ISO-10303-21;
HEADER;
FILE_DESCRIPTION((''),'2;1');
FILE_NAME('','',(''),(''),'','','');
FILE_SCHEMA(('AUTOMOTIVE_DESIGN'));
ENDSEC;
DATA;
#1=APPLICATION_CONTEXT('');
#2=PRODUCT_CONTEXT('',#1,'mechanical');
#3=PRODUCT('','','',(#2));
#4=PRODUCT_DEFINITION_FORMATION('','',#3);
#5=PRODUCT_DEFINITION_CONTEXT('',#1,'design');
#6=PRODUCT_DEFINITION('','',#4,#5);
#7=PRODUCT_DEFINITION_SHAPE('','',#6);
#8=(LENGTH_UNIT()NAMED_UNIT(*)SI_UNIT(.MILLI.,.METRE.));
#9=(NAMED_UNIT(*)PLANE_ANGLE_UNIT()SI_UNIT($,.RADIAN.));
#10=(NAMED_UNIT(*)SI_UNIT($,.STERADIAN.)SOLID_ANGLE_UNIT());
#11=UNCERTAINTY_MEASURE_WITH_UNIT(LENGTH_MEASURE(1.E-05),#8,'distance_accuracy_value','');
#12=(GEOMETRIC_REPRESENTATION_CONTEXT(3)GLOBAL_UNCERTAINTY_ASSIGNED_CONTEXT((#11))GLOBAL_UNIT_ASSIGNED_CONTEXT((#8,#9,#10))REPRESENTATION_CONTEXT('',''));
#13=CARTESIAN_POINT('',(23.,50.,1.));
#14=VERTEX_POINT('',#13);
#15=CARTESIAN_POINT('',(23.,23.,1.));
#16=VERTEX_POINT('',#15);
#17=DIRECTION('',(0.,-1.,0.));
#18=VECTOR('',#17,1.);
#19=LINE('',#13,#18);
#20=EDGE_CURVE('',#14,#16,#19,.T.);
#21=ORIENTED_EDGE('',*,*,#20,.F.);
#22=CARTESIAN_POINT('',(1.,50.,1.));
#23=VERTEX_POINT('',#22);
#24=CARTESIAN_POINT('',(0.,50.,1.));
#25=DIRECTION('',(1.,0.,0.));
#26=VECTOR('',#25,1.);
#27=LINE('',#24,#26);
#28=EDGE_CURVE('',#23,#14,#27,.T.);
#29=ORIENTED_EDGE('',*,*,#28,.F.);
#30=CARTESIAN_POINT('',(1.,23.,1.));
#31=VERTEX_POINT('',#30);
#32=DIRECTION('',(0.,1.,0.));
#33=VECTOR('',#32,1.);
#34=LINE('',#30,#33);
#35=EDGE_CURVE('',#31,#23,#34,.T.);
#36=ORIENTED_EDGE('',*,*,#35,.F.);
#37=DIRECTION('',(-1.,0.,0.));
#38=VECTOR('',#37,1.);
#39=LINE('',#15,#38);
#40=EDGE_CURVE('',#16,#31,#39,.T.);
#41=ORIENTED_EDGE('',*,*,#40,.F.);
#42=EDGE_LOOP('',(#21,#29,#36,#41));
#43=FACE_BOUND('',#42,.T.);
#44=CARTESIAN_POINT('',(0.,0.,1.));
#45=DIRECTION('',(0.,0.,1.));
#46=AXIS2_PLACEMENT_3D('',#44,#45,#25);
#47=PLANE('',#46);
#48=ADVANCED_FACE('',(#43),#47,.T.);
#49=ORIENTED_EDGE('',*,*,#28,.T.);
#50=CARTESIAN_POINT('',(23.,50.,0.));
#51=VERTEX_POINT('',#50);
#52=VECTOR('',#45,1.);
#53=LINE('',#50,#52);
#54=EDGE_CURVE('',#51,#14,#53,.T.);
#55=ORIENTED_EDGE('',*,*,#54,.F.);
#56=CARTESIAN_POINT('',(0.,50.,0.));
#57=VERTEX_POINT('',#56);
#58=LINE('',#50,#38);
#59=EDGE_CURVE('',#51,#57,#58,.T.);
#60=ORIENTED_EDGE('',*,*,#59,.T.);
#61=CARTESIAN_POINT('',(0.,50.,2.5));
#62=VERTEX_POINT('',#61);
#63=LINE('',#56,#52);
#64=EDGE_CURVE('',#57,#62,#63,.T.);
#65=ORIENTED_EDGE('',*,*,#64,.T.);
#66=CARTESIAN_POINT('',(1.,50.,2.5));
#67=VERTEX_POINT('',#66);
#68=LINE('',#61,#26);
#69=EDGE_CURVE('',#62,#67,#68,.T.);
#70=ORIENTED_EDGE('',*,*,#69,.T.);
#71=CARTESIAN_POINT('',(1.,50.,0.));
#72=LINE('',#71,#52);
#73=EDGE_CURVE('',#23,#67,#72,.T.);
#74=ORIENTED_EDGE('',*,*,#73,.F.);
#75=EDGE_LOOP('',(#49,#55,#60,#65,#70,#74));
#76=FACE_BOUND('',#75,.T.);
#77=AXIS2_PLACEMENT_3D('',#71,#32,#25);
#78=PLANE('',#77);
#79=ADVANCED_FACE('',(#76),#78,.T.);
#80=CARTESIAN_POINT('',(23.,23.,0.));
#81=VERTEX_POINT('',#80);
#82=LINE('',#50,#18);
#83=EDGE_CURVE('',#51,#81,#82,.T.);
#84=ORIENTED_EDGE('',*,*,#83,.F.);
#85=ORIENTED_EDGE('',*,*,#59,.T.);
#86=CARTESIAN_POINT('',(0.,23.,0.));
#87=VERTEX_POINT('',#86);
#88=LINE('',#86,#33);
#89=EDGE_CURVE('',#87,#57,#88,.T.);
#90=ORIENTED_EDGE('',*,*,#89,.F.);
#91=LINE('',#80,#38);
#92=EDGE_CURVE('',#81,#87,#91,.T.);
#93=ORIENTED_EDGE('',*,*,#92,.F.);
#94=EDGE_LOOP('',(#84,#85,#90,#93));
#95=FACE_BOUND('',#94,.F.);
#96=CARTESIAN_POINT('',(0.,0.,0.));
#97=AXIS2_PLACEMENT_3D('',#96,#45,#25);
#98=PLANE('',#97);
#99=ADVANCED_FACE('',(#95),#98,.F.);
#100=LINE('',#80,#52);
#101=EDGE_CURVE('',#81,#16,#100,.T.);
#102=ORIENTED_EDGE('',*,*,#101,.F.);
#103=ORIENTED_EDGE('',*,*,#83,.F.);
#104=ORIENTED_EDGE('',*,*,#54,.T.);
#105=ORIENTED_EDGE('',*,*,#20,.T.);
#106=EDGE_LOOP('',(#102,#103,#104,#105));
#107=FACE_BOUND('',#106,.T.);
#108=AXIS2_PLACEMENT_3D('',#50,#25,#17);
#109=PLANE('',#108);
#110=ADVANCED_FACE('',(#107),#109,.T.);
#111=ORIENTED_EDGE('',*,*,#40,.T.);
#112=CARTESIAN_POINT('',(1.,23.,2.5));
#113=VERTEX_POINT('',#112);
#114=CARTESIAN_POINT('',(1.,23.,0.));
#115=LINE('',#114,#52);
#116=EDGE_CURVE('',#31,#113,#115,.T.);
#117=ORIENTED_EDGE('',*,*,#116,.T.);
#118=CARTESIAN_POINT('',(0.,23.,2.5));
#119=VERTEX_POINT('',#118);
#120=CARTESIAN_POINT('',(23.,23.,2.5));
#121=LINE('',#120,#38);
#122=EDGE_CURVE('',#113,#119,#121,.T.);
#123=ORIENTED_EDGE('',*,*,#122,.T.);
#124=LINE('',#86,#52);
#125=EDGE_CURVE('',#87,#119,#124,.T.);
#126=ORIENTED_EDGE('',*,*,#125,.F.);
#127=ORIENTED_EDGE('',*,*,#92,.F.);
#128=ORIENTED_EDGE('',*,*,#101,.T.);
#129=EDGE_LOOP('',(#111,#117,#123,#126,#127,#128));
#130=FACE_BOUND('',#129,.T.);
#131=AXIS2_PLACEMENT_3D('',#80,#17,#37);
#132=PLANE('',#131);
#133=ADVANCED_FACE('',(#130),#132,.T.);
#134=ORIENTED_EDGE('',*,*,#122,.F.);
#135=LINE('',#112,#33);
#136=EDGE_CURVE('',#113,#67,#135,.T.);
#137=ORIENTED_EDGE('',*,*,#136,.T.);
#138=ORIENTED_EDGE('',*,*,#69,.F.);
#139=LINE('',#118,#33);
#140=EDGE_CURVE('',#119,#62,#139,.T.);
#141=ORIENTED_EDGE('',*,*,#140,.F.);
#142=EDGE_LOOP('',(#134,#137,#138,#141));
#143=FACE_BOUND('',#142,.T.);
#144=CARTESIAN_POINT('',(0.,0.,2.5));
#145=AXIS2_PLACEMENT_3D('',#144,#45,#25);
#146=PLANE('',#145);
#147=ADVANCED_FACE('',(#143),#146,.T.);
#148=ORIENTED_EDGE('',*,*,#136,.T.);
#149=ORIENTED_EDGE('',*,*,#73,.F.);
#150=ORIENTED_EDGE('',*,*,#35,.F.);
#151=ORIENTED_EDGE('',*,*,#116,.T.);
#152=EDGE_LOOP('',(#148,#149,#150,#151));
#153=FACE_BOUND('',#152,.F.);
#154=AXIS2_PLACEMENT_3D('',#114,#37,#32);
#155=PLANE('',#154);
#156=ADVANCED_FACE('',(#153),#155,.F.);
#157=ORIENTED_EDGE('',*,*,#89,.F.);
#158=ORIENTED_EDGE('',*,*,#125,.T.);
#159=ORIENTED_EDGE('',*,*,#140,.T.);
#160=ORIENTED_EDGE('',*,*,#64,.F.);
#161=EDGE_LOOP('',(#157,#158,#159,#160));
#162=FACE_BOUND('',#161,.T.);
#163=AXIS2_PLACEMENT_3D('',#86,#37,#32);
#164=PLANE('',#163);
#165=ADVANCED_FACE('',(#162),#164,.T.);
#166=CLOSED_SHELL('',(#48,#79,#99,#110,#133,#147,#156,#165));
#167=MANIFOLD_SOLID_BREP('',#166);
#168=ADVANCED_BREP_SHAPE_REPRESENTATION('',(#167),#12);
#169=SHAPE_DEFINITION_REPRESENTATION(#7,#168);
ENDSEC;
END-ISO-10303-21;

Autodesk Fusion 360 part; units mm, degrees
sketch "Sketch1" plane through (0, 0, 0) normal (0, 0, 1) x (1, 0, 0)
  line L0 (0, 50) -> (23, 50)
  line L1 (23, 50) -> (23, 23)
  line L2 (23, 23) -> (0, 23)
  line L3 (0, 23) -> (0, 50)
  line L4 (0, 23) -> (1, 23)
  line L5 (1, 23) -> (1, 50)
  line L6 (1, 50) -> (0, 50)
  line L7 (0, 50) -> (0, 23)
  dimension "d1" = 23
  dimension "d2" = 27
extrude "Extrude1" add sketch "Sketch1" along normal blind 1 contours L0 L1 L2 L5
extrude "Extrude2" add sketch "Sketch1" along normal blind 2.5 contours L0 L2 L3 L4 L5 L6 L7
